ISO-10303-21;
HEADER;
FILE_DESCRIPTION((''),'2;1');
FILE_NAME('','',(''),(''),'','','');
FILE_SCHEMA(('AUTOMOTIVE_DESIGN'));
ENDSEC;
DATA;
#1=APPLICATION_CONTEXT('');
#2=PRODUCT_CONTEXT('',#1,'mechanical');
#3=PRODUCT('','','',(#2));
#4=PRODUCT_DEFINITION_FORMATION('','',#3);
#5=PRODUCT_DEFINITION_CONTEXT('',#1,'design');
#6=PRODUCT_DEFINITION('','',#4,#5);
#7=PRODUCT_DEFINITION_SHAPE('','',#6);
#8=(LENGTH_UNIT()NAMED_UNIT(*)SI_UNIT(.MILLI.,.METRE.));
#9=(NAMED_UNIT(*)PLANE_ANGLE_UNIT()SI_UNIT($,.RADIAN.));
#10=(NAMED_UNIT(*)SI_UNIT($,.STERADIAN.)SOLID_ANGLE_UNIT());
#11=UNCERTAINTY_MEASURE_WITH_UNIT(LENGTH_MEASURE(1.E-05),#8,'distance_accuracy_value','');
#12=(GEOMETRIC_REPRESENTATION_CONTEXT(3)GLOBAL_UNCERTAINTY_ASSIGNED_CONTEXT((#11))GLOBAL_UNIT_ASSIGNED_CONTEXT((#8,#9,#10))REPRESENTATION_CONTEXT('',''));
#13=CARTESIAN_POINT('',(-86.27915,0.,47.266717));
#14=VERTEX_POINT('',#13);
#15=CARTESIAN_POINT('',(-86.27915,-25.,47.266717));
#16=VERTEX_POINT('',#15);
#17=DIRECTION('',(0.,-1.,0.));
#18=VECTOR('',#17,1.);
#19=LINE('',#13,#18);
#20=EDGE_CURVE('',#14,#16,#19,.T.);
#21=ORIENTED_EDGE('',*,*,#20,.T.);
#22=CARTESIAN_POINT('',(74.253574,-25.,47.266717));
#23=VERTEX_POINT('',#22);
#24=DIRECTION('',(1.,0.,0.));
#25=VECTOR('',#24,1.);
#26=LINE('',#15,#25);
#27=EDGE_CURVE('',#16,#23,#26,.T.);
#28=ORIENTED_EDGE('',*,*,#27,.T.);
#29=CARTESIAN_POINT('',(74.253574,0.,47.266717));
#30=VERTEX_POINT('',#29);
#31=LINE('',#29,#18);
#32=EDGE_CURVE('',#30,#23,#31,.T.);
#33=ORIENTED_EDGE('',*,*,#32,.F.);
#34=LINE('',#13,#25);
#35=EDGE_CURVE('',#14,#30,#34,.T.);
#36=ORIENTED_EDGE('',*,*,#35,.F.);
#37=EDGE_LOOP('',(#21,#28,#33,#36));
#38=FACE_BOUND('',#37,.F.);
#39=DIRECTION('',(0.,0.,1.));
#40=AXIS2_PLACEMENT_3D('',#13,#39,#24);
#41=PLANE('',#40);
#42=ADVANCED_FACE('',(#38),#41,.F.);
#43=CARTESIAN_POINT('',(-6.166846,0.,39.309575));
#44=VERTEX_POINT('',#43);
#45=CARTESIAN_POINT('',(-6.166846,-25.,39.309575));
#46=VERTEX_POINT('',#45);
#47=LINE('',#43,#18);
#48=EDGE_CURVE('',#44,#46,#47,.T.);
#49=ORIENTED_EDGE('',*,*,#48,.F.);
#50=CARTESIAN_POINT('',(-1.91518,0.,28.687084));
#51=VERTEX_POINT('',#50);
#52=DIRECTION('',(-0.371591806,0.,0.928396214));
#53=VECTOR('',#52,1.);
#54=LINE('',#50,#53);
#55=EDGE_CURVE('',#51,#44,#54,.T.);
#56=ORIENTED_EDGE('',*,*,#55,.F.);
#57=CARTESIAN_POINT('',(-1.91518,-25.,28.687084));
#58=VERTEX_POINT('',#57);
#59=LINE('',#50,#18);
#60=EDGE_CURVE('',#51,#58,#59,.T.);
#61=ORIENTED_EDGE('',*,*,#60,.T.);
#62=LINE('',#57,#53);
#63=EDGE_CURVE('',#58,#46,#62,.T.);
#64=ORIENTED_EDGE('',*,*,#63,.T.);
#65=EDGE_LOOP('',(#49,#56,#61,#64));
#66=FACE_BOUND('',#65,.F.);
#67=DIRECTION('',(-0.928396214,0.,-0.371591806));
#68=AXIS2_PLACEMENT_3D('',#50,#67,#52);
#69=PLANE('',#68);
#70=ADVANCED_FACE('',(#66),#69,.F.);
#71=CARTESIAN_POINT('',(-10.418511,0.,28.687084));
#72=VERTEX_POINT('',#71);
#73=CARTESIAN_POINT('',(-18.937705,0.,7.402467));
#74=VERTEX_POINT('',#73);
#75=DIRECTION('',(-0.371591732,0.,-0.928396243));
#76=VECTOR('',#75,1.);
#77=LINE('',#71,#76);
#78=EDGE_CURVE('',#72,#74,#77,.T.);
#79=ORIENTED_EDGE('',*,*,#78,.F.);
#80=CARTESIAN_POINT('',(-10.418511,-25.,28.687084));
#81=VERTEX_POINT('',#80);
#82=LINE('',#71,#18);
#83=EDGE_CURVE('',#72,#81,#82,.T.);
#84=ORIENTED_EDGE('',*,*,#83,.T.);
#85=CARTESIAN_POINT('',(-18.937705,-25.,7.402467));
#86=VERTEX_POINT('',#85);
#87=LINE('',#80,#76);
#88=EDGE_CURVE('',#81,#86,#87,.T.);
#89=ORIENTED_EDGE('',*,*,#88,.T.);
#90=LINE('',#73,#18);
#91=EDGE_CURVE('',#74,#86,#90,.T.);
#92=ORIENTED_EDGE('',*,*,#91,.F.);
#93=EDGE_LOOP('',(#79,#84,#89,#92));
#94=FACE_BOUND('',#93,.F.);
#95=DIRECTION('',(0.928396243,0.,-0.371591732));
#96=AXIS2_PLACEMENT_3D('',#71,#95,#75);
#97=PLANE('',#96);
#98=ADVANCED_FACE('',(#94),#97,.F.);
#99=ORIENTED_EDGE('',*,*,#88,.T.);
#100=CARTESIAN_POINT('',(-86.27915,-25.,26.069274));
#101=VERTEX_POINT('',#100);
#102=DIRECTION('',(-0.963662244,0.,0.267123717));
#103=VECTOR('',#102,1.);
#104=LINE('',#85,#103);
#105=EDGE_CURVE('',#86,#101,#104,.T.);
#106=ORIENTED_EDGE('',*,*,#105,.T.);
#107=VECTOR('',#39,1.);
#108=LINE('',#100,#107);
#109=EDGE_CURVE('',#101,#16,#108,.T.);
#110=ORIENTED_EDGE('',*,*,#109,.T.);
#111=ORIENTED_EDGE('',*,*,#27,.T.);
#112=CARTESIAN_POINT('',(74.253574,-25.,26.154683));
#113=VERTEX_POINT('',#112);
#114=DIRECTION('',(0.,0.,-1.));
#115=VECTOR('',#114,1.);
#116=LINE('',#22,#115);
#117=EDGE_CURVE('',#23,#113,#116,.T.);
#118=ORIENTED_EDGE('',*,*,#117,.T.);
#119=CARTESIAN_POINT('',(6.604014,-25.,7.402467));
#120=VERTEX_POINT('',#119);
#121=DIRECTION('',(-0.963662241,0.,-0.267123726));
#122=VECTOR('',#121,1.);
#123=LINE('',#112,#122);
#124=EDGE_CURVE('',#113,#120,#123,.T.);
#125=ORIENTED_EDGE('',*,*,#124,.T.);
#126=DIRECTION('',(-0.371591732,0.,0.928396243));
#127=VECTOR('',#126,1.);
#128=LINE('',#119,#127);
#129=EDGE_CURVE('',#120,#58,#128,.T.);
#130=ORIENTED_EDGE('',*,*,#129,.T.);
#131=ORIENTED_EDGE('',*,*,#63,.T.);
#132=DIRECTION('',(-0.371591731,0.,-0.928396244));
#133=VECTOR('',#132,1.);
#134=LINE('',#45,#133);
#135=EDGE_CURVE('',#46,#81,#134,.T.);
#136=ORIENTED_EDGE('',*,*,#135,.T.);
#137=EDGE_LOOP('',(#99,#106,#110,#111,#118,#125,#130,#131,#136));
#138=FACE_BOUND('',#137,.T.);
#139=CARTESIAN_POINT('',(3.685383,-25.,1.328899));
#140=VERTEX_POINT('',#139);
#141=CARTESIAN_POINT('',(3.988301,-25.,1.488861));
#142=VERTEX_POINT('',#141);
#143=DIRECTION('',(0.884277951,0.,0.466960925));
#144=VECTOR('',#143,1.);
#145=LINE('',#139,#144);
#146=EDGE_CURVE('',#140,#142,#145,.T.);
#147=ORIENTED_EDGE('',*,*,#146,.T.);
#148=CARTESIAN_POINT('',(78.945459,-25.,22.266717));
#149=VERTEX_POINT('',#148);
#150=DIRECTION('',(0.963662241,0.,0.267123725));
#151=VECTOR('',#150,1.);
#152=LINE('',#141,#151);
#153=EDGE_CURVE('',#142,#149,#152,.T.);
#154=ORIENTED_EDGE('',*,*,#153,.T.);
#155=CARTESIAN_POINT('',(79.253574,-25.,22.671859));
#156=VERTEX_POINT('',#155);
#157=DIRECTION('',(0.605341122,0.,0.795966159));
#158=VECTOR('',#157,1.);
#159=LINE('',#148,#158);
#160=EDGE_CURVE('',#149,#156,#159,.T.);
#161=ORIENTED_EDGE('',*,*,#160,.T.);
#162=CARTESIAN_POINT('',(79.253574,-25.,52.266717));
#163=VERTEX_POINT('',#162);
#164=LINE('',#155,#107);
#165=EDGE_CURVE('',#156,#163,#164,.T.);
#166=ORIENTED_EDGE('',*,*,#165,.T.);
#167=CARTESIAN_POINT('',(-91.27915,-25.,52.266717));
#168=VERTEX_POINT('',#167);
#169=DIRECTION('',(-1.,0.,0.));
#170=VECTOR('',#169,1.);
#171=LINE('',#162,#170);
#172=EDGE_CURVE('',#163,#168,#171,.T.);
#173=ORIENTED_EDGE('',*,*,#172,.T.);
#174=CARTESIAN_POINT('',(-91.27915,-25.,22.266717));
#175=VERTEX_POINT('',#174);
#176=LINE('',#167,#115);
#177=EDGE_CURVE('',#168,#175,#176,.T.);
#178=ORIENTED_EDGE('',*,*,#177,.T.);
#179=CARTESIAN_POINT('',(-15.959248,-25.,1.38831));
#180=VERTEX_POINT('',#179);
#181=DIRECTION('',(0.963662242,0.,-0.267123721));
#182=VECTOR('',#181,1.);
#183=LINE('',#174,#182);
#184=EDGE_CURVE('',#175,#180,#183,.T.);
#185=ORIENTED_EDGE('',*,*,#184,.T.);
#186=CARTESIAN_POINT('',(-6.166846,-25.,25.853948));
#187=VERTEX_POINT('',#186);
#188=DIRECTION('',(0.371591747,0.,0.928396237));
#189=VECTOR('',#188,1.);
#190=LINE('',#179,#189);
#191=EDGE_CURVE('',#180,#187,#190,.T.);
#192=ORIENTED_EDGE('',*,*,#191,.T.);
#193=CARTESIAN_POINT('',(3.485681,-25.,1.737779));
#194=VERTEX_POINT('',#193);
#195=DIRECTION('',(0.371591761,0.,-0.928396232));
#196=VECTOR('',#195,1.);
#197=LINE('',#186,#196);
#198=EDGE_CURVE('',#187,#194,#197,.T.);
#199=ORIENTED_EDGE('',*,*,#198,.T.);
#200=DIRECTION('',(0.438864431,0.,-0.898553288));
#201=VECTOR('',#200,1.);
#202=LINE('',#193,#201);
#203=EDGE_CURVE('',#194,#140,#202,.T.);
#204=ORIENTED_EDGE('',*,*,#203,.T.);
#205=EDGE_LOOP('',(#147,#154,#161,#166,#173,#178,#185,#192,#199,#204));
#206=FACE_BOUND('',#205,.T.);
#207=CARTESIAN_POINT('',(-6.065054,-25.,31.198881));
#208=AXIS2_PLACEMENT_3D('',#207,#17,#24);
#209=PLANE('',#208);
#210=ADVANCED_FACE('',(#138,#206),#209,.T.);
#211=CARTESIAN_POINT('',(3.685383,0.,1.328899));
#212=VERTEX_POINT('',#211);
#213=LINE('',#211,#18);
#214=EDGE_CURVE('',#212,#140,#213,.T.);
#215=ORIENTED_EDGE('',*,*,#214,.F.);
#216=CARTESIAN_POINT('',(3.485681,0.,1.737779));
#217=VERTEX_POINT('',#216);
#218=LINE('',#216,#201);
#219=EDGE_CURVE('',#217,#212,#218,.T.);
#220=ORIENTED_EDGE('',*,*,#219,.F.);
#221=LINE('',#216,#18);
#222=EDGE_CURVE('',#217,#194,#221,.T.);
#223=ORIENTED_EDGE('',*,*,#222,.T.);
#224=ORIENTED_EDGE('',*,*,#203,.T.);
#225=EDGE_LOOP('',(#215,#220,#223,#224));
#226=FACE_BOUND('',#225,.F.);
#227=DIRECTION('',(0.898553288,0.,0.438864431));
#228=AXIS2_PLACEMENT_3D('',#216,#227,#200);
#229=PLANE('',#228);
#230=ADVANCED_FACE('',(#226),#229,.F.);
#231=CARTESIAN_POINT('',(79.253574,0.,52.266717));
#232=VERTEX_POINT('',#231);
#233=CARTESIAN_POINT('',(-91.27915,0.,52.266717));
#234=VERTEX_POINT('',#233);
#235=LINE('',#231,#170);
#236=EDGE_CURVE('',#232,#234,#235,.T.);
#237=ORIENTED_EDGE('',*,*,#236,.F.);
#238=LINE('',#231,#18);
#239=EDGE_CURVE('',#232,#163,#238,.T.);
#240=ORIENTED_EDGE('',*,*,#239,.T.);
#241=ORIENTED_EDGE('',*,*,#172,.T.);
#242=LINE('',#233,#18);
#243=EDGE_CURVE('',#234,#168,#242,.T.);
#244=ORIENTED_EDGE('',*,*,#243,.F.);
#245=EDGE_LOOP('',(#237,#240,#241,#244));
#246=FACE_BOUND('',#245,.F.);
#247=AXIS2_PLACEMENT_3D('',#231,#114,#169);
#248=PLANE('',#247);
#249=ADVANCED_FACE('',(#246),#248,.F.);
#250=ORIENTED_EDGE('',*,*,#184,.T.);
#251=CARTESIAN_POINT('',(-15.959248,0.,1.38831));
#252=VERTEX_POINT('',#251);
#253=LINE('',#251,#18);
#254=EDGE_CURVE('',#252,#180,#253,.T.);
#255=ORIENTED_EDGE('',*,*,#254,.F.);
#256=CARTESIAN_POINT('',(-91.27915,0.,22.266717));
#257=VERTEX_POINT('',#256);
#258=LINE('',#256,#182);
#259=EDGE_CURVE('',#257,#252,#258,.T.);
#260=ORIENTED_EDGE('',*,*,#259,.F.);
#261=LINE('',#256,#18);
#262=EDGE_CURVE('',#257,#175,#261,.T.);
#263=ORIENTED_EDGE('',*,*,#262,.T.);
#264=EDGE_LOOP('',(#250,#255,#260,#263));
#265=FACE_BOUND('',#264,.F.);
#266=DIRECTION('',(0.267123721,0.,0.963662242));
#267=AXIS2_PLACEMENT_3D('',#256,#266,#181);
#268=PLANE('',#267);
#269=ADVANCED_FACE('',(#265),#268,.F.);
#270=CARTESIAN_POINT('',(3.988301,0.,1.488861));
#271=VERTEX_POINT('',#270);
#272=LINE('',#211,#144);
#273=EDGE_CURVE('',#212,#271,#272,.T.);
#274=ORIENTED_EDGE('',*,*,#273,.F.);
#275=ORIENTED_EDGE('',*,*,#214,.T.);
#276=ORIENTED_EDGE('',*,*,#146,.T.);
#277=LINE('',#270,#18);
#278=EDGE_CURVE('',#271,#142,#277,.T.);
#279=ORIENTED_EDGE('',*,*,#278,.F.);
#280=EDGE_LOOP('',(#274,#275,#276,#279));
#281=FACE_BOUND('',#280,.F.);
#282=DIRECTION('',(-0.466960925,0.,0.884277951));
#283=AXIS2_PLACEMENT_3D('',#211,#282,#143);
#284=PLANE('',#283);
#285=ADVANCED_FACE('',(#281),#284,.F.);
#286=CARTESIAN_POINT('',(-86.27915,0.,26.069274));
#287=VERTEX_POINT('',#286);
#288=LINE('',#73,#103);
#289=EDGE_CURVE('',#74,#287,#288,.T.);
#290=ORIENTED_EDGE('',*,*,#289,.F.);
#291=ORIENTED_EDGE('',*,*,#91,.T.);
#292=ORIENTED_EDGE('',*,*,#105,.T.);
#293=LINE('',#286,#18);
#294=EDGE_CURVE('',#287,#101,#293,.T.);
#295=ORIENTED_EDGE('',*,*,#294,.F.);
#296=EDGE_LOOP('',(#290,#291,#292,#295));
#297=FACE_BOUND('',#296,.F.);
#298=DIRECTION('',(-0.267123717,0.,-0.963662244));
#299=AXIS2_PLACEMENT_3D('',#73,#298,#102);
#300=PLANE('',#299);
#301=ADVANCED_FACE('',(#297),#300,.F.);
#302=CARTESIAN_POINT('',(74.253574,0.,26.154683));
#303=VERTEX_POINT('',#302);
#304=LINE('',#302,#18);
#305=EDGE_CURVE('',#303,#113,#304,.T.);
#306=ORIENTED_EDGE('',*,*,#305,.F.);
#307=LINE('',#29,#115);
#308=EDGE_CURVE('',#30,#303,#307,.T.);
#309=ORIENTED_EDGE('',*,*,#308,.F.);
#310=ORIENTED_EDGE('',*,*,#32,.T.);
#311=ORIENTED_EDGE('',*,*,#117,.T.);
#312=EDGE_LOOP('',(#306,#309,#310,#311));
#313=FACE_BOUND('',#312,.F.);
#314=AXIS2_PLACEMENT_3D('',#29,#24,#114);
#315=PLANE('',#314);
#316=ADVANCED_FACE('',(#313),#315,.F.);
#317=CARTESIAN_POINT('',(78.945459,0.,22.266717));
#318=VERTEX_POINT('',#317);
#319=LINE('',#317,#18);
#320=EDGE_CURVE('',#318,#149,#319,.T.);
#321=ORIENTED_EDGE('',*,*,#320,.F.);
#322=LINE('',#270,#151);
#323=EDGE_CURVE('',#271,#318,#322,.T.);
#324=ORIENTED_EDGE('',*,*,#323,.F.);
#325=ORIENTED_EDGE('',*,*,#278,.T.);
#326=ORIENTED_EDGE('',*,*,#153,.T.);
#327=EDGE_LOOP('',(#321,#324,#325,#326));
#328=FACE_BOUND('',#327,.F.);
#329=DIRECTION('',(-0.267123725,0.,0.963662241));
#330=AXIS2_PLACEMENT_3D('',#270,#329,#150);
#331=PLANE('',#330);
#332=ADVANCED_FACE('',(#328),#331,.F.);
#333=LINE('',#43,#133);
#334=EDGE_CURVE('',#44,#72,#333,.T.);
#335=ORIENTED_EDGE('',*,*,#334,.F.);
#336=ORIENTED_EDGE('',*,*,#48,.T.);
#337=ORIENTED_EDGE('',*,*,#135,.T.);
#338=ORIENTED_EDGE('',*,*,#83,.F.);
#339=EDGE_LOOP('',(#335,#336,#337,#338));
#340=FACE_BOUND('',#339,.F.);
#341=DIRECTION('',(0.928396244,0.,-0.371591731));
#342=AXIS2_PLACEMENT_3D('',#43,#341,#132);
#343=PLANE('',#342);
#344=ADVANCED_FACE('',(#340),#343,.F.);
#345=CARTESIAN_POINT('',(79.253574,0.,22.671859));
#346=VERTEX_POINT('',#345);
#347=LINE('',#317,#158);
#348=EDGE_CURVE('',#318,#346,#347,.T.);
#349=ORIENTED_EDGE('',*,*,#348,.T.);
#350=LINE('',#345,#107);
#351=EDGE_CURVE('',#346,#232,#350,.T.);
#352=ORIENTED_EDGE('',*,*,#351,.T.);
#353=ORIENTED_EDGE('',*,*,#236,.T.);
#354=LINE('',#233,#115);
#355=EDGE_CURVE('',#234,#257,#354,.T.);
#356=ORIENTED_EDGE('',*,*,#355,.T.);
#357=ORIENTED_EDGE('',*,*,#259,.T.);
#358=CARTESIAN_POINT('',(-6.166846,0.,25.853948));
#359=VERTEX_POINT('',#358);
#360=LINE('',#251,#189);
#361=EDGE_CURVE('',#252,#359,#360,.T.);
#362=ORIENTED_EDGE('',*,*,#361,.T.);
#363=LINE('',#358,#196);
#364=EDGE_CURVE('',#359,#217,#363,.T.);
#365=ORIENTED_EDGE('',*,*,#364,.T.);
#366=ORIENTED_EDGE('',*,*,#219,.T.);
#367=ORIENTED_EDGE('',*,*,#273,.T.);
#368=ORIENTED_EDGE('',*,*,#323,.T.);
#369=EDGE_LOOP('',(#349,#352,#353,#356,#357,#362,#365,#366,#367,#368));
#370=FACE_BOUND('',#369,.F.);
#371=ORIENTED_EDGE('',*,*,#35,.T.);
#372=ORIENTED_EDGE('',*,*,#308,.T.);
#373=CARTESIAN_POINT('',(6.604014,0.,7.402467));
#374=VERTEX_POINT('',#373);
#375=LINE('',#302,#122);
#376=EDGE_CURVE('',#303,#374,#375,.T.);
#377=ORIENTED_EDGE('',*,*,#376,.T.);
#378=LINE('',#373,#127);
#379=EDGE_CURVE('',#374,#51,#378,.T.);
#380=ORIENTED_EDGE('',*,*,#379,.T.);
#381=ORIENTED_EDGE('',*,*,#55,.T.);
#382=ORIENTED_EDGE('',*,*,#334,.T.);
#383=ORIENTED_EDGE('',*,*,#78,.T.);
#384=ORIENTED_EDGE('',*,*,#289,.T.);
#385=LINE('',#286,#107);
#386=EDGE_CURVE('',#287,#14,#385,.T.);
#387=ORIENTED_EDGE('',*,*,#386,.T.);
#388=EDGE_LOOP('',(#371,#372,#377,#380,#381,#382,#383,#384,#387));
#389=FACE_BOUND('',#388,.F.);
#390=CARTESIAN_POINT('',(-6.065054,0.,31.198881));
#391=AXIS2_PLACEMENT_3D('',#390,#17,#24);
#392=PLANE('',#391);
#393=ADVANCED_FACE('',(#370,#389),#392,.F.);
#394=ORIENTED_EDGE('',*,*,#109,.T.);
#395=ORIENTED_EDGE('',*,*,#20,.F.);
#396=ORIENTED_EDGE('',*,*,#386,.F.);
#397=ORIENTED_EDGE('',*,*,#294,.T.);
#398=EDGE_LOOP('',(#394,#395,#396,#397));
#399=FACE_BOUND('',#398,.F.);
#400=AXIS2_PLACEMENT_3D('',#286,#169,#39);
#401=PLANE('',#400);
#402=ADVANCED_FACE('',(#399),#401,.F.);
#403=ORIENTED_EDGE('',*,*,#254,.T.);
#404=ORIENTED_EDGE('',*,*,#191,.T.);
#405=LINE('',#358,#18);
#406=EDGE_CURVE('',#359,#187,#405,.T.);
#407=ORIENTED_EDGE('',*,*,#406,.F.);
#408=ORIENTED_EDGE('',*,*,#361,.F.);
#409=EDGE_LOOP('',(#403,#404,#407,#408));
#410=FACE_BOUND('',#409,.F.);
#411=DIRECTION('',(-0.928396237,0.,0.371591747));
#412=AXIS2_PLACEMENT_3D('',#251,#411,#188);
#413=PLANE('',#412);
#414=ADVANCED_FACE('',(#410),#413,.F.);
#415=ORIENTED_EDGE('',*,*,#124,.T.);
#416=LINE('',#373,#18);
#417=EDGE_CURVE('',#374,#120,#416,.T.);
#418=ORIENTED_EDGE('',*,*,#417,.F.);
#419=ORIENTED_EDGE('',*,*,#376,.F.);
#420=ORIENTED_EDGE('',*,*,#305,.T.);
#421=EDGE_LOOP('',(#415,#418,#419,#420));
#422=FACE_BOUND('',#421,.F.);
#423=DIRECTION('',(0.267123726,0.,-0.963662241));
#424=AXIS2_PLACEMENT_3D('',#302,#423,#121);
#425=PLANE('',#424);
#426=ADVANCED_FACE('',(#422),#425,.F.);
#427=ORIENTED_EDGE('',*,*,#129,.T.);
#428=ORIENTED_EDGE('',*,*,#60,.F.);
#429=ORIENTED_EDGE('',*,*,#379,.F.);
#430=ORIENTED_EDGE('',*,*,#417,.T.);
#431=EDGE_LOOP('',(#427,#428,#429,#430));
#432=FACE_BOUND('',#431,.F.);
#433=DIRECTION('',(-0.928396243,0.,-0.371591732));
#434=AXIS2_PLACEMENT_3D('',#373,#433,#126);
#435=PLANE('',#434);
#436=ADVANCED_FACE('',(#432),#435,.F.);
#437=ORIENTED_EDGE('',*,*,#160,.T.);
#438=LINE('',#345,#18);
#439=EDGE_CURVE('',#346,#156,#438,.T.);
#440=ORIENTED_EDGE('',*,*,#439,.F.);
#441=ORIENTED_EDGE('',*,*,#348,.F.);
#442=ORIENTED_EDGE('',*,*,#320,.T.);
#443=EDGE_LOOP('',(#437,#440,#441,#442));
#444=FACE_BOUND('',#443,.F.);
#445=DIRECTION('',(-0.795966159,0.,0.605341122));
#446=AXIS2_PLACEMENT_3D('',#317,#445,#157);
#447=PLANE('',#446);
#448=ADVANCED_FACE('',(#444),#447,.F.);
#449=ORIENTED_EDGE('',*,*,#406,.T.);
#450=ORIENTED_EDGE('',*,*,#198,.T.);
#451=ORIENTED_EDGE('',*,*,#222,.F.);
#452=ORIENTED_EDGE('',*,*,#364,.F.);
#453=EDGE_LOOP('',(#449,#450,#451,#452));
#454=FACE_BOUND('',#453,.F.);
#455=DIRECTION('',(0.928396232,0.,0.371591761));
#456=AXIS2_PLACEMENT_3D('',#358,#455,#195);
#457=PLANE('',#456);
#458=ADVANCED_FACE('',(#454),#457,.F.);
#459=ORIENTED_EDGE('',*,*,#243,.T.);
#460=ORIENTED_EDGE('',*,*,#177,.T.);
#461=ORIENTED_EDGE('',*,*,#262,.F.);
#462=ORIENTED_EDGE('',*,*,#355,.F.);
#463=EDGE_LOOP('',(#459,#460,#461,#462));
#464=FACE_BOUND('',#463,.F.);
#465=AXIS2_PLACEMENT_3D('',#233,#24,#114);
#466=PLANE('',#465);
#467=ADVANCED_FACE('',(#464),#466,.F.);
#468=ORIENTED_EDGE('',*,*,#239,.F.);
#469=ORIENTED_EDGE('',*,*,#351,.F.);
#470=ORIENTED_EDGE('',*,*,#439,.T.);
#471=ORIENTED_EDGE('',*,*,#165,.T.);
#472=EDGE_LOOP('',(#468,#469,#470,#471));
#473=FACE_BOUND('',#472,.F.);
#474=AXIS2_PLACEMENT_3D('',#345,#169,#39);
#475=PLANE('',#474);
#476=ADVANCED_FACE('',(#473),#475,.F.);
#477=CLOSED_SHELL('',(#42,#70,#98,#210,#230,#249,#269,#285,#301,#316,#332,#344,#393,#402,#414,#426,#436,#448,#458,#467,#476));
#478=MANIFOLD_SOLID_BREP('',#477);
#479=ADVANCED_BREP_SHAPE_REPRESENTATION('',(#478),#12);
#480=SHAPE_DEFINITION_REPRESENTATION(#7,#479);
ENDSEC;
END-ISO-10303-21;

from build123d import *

# Parameters (mm, degrees)
F1_DEPTH = 25


with BuildPart() as f1:
    # F0 (on Front) → F1 (new body)
    with BuildSketch(Plane.XZ):
        Polygon((78.72085, 52.266717), (-6.27915, 52.266717), (-46.589765, 52.266717), (-48.77915, 52.266717), (-91.27915, 52.266717), (-91.27915, 22.266717), (-15.959248, 1.38831), (-6.166846, 25.853948), (3.485681, 1.737779), (3.685383, 1.328899), (3.988301, 1.488861), (78.945459, 22.266717), (79.253574, 22.671859), (79.253574, 52.266717), align=None)
        Polygon((74.253574, 26.154683), (6.604014, 7.402467), (-1.91518, 28.687084), (-6.166846, 39.309575), (-10.418511, 28.687084), (-18.937705, 7.402467), (-86.27915, 26.069274), (-86.27915, 47.266717), (-6.27915, 47.266717), (74.253574, 47.266717), align=None, mode=Mode.SUBTRACT)
    extrude(amount=F1_DEPTH)


solid = f1.part
